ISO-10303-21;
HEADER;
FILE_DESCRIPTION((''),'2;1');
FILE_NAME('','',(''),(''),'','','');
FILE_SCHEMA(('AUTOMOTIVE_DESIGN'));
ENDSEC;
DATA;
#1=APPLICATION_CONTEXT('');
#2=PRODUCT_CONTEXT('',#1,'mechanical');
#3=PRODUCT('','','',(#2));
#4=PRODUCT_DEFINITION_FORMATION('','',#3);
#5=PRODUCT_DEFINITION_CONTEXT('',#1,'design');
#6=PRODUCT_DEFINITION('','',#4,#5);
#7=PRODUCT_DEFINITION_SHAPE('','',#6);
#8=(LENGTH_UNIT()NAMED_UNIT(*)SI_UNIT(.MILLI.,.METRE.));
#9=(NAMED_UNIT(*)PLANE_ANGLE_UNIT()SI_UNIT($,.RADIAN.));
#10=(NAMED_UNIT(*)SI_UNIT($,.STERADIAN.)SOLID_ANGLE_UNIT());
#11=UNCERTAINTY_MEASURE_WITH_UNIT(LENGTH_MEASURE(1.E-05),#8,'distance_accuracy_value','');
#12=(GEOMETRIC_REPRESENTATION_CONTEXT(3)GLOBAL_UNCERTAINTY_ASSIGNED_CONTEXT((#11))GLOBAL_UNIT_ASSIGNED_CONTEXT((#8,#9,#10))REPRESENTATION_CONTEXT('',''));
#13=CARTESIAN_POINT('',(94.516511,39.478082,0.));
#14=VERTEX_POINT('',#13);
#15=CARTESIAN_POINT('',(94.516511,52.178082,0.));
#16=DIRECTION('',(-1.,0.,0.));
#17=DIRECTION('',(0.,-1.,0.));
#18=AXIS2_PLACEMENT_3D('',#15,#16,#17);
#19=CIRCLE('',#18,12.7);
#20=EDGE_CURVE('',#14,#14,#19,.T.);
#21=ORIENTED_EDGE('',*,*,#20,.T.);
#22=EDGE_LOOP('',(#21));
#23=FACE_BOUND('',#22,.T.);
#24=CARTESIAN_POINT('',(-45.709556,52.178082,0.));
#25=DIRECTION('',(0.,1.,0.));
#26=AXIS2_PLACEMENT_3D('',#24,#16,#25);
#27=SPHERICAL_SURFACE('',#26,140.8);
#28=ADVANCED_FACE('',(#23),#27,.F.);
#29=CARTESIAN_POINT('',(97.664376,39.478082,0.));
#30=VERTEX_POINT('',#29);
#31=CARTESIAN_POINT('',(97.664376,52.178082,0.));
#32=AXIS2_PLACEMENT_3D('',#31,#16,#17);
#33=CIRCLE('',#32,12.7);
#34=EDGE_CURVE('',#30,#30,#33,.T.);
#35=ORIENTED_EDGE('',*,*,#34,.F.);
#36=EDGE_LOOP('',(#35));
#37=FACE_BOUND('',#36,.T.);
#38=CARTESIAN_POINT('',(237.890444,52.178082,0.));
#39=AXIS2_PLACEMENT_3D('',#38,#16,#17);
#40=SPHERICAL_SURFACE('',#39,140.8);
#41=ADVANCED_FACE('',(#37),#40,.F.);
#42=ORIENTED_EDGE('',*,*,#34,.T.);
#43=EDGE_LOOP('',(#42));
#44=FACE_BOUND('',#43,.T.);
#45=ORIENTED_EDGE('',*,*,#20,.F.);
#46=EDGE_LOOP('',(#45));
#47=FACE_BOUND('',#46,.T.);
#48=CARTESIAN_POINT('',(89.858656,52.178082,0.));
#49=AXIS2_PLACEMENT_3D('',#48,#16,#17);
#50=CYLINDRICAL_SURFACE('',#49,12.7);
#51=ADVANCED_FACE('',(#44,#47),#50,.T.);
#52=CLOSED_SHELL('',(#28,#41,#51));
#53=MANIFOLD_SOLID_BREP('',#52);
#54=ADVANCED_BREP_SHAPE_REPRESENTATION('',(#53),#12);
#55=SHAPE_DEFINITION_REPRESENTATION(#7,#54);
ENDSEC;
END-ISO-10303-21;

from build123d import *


with BuildPart() as part:
    # 草图1 → 旋转1 (revolve)
    with BuildSketch(Plane.XY, mode=Mode.PRIVATE) as revolve_1_sk:
        with BuildLine():
            Line((97.090443968, 52.178082298), (95.090443968, 52.178082298))
            ThreePointArc((95.090443968, 52.178082298), (94.946887654, 58.534563214), (94.516511445, 64.878082298))
            Line((94.516511445, 64.878082298), (96.090443968, 64.878082298))
            Line((96.090443968, 64.878082298), (97.664376492, 64.878082298))
            ThreePointArc((97.664376492, 64.878082298), (97.234000282, 58.534563214), (97.090443968, 52.178082298))
        make_face()
    revolve(revolve_1_sk.sketch.rotate(Axis((89.858656454, 52.178082298, 0), (1, 0, 0)), 180), axis=Axis((89.858656454, 52.178082298, 0), (1, 0, 0)))  # turned: the seam where the file's is


solid = part.part
